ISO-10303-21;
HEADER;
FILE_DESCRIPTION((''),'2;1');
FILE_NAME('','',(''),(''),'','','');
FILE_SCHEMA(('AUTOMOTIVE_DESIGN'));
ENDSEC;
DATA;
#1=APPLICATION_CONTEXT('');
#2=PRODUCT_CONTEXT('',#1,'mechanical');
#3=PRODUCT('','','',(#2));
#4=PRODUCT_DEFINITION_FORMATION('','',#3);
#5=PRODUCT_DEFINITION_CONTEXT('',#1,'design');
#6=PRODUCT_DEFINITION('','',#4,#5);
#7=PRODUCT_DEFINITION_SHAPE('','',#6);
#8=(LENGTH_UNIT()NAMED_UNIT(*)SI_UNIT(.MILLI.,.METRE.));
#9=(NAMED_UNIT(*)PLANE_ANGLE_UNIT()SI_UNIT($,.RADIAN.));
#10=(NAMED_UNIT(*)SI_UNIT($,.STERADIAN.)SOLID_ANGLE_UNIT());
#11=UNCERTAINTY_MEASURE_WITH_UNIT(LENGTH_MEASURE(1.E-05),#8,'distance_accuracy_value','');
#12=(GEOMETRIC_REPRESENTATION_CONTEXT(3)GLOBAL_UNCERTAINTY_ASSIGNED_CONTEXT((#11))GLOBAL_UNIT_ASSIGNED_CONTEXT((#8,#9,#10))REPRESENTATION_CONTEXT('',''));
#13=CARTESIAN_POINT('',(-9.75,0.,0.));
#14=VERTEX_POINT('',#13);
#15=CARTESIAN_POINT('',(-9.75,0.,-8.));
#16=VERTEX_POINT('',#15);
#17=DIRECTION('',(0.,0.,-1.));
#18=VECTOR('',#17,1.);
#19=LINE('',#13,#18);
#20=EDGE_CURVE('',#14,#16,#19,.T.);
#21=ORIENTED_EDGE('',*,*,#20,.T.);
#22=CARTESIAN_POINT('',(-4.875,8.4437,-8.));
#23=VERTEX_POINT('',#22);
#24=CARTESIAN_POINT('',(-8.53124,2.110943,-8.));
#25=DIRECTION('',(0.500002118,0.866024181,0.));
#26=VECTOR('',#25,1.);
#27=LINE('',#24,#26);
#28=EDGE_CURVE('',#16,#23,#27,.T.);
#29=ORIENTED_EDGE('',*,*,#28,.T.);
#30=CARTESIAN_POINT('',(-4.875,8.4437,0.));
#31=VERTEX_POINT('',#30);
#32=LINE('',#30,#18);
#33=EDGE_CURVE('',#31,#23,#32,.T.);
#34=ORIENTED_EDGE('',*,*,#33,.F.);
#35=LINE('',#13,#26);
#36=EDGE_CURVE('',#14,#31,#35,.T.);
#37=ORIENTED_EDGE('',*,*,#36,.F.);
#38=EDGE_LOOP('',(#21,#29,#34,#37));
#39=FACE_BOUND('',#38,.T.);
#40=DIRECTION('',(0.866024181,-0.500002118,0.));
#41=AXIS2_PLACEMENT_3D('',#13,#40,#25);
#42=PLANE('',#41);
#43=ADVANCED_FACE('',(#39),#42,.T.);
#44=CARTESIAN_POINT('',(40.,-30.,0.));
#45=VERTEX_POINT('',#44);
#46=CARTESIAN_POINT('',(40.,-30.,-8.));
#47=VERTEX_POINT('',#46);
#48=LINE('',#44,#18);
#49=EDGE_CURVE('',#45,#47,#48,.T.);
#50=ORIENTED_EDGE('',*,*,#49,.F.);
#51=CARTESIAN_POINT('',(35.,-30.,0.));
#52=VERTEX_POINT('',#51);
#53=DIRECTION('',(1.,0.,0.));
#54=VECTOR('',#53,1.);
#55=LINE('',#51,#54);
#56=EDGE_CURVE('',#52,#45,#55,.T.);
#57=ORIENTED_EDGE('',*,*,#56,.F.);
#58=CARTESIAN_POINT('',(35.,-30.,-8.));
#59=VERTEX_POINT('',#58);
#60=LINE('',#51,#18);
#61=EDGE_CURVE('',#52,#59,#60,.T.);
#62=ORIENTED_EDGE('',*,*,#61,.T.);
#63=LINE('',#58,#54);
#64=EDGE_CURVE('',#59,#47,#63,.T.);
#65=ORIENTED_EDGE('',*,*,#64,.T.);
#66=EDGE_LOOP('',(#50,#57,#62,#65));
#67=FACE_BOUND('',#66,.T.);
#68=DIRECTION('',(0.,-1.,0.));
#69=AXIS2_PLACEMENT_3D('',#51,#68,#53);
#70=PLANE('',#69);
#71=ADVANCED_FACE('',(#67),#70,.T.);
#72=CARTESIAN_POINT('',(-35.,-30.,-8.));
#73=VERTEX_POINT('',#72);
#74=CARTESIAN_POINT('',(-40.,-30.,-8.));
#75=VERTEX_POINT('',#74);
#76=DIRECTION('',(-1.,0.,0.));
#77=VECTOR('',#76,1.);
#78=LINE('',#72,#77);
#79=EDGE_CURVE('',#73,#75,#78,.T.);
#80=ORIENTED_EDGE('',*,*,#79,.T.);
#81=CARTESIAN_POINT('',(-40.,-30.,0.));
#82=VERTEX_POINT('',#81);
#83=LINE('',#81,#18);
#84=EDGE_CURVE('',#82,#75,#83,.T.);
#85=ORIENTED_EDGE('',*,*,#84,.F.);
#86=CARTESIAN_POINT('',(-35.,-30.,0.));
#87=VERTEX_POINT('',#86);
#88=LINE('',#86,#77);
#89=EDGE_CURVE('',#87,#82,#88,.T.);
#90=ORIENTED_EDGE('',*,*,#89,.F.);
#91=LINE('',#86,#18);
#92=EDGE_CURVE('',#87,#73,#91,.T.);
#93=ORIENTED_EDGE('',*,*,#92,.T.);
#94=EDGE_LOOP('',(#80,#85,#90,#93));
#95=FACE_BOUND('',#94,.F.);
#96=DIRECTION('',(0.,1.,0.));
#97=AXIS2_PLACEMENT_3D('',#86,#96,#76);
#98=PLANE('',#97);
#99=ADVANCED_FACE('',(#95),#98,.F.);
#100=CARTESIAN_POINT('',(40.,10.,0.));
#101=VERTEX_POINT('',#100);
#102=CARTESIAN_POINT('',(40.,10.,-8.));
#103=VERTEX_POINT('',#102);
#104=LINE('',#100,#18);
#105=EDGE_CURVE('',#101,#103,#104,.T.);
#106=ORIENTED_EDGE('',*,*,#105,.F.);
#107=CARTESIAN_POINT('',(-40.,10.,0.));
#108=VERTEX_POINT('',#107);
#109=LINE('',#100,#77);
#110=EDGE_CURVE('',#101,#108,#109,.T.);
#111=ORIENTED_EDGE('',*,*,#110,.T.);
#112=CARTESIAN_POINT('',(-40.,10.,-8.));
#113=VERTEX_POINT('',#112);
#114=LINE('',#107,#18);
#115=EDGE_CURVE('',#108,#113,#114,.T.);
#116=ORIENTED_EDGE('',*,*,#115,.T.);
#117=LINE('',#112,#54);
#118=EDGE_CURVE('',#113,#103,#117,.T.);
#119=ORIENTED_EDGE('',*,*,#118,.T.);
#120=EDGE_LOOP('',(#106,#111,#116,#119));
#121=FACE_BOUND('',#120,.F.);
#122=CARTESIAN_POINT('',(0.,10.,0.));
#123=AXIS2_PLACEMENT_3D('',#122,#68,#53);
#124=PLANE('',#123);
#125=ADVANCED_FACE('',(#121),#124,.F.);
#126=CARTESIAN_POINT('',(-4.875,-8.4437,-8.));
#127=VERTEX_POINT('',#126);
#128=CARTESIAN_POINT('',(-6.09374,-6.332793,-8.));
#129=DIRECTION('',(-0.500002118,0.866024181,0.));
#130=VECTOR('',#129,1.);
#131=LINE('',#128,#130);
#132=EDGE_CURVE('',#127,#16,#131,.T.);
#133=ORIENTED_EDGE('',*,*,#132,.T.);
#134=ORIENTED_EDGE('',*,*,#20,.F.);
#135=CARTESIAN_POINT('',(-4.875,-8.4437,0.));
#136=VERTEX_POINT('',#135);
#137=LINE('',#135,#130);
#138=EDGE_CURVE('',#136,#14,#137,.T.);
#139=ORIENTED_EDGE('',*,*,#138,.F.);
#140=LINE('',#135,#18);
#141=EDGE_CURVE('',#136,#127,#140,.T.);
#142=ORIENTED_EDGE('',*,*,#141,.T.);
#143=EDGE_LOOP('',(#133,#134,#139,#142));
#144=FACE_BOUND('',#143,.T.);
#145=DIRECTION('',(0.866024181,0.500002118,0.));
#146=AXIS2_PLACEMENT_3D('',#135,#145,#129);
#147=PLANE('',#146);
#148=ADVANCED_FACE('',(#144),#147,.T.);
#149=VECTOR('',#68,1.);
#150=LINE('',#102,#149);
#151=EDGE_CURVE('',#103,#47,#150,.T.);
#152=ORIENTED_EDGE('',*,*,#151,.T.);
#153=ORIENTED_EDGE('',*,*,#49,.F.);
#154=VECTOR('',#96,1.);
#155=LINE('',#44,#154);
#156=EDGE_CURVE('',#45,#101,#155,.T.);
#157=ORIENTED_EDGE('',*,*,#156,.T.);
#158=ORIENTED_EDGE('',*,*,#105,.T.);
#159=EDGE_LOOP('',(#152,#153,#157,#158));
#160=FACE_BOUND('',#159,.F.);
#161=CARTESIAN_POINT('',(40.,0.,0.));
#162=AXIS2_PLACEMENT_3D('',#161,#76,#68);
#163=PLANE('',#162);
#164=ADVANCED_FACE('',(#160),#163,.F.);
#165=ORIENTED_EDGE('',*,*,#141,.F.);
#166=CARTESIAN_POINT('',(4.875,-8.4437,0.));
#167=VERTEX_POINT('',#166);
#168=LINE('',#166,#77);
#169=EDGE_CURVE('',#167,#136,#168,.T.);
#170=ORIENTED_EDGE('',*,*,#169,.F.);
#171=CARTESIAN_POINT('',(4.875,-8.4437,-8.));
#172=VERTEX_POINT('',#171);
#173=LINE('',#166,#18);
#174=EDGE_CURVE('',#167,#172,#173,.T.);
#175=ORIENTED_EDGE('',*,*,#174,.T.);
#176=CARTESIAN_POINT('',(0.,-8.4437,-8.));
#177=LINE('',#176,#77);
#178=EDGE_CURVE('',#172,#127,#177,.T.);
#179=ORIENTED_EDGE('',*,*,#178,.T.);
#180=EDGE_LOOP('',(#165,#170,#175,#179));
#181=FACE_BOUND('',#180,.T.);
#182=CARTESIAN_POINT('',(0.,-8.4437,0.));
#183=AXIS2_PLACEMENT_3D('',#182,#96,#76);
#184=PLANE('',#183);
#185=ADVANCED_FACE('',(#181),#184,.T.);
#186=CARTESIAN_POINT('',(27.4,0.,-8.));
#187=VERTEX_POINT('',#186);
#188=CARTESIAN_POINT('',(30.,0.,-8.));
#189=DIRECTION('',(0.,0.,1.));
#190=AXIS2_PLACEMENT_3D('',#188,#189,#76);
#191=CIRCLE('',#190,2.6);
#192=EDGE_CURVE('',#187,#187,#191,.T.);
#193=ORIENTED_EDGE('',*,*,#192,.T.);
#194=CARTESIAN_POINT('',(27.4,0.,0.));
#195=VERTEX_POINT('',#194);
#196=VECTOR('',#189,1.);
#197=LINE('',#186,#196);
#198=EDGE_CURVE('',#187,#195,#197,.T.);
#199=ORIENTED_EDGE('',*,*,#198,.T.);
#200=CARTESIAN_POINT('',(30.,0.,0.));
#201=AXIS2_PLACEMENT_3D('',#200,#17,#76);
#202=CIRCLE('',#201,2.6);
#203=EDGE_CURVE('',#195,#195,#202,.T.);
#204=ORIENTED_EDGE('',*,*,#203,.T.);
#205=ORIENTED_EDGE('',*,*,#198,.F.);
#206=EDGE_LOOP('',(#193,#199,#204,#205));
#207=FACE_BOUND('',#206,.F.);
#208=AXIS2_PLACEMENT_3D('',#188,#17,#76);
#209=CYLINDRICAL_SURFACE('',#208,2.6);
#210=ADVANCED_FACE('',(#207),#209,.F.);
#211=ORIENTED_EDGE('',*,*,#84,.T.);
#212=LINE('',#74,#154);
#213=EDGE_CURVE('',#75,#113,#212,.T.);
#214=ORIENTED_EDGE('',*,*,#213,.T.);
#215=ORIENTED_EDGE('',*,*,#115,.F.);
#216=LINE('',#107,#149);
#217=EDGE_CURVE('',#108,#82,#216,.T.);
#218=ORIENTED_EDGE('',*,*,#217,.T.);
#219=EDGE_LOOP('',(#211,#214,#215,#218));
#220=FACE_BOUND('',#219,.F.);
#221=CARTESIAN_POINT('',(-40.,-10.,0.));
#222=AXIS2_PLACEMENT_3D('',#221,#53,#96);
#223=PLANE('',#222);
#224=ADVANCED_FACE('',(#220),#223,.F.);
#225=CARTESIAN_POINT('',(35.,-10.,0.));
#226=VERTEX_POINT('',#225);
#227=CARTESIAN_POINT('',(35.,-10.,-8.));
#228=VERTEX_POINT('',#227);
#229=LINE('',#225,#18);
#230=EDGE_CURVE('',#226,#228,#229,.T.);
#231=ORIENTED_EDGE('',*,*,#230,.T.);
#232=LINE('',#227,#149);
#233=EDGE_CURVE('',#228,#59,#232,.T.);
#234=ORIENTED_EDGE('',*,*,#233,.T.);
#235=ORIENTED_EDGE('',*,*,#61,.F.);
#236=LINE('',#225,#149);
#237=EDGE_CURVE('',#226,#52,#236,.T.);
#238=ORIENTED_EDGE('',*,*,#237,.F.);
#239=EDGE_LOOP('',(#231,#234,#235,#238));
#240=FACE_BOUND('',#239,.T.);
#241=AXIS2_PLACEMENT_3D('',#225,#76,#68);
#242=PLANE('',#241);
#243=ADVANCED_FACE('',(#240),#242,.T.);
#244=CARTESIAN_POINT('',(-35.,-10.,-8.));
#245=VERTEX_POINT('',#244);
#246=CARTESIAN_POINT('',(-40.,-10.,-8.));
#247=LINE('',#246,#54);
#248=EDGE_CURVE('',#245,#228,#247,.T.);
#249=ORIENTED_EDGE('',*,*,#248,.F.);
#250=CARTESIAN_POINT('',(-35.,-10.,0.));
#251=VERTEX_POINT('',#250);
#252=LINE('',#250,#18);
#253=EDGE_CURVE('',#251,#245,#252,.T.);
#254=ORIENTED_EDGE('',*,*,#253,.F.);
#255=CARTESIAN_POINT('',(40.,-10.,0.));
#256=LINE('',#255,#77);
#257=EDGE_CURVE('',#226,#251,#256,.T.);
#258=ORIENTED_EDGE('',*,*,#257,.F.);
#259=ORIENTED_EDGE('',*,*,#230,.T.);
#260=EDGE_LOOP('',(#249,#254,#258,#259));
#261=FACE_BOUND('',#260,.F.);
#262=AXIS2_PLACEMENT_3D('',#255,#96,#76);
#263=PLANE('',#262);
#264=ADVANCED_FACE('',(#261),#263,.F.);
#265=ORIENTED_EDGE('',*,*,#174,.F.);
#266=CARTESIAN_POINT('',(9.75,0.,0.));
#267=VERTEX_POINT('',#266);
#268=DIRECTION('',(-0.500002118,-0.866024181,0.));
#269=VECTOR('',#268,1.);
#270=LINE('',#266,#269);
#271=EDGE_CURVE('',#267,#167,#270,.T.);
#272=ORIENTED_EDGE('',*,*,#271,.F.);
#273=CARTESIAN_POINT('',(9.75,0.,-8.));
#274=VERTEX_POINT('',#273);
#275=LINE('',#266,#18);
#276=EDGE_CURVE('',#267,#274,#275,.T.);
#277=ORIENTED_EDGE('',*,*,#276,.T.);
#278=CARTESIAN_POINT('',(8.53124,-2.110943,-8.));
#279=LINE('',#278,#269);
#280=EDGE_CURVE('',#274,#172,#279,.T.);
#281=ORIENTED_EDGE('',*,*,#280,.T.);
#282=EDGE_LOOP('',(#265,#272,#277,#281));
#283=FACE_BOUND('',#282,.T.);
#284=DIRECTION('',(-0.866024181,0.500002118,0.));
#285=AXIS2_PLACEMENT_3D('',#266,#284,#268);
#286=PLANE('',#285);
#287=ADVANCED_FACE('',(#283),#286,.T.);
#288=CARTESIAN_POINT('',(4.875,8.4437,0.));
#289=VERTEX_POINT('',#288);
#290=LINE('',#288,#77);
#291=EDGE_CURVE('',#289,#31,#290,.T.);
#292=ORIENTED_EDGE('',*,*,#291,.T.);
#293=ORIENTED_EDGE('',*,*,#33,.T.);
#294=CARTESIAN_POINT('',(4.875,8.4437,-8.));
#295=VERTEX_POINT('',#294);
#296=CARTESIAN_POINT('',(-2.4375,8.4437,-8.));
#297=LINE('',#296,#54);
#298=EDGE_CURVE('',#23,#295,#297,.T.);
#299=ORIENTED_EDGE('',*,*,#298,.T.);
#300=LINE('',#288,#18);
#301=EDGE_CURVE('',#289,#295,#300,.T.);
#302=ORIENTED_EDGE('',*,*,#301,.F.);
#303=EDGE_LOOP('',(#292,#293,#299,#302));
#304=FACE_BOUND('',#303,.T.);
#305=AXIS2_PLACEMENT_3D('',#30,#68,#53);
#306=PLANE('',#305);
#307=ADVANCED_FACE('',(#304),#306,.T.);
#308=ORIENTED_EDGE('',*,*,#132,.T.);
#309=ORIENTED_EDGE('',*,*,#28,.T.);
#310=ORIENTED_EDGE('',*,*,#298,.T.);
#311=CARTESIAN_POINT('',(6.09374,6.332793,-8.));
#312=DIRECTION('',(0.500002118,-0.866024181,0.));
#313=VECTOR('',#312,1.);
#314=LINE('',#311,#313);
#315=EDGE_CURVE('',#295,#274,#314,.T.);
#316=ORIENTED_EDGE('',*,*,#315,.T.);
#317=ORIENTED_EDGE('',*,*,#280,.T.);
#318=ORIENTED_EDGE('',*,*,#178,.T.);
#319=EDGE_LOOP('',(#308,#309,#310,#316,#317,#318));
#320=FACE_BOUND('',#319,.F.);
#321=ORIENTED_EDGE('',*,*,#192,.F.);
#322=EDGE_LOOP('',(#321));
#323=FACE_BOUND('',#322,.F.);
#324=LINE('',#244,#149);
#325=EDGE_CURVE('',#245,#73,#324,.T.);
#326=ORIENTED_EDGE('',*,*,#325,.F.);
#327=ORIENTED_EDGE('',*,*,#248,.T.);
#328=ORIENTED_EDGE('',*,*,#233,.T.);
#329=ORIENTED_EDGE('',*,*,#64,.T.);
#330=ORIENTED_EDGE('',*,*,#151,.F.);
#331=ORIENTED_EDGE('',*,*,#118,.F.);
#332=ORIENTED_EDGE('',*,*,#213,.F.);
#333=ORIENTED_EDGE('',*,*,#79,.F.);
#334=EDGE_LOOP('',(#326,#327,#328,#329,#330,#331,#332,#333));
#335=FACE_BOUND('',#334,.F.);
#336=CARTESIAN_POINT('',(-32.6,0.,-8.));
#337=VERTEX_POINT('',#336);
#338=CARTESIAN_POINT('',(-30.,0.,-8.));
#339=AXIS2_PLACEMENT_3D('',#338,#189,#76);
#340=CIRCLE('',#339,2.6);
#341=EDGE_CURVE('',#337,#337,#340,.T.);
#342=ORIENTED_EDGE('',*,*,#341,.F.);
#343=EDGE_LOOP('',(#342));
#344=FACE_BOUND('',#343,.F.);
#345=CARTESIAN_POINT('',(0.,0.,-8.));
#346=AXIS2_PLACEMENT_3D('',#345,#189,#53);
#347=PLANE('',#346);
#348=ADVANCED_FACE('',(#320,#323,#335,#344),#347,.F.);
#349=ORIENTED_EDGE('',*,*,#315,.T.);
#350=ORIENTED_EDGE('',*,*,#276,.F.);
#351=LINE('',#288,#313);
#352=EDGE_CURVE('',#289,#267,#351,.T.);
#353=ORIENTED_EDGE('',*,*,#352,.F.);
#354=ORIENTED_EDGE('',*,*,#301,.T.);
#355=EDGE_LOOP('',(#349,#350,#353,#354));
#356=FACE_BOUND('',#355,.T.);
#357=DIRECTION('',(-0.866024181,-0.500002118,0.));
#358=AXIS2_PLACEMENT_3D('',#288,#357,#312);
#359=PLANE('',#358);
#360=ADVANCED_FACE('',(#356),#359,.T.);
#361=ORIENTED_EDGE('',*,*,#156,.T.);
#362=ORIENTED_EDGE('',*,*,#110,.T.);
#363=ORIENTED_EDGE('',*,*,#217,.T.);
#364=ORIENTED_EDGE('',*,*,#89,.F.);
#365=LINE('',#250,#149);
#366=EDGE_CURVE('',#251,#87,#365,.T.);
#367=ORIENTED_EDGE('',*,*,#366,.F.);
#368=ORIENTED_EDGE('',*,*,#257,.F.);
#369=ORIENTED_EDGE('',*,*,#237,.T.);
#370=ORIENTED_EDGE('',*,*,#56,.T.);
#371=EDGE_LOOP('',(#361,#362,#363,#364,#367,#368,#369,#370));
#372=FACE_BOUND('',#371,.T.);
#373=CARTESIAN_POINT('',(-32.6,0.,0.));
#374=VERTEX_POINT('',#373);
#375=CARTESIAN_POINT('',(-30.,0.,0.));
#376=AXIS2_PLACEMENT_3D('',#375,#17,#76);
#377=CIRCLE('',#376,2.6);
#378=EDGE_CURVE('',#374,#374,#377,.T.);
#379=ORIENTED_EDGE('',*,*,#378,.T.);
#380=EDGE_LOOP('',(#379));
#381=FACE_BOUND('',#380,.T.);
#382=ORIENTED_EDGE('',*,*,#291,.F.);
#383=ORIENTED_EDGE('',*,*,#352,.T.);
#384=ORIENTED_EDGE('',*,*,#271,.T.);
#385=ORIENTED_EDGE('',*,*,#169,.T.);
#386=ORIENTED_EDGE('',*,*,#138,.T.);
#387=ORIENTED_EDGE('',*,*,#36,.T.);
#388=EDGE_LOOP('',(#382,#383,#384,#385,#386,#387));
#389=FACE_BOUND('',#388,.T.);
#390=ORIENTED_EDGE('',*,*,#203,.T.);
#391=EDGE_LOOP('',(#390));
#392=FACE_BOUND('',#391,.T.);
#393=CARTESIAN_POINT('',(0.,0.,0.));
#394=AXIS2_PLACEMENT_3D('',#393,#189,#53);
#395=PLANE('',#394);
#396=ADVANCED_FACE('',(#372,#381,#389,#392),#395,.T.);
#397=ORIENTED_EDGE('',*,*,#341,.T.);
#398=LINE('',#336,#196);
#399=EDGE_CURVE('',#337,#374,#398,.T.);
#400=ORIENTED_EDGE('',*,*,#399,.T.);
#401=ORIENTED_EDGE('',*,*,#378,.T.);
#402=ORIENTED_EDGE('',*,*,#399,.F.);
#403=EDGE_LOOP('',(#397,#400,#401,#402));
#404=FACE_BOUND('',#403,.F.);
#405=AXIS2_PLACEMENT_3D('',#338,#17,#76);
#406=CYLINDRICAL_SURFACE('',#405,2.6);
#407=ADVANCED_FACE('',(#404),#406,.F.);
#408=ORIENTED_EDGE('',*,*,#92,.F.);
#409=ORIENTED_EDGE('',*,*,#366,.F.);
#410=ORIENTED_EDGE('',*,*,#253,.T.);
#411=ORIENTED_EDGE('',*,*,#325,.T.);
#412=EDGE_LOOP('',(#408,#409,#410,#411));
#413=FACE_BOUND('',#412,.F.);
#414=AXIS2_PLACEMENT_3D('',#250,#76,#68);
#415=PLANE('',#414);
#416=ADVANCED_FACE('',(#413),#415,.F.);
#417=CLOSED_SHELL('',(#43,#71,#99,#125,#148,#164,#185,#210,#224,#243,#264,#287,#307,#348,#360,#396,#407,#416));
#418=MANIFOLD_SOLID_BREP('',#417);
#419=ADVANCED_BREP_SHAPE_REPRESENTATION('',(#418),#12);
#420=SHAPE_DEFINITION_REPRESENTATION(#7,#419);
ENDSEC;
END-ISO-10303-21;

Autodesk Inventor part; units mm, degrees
ref_plane "YZ Plane" through (0, 0, 0) normal (1, 0, 0) x (0, 1, 0)
ref_plane "XZ Plane" through (0, 0, 0) normal (0, 1, 0) x (-1, 0, 0)
ref_plane "XY Plane" through (0, 0, 0) normal (0, 0, 1) x (1, 0, 0)
sketch "Sketch1" plane through (0, 0, 0) normal (0, 0, 1) x (1, 0, 0)
  line L0 (40, -10) -> (-40, -10)
  line L1 (-40, -10) -> (-40, 10)
  line L2 (-40, 10) -> (40, 10)
  line L3 (40, 10) -> (40, -10)
  line L4 (0, -14) -> (0, 14) projected
  line L5 (40, -10) -> (30, -10)
  line L6 (-56, 0) -> (56, 0) projected
  circle A0 centre (-0.5449, 0.9437) radius 3.3235 projected
  line L7 (-4.875, -6.5563) -> (-9.2051, 0.9437) projected
  line L8 (-9.2051, 0.9437) -> (-4.875, 8.4437) projected
  line L9 (-4.875, 8.4437) -> (3.7853, 8.4437) projected
  line L10 (3.7853, 8.4437) -> (8.1154, 0.9437) projected
  line L11 (8.1154, 0.9437) -> (3.7853, -6.5563) projected
  line L12 (3.7853, -6.5563) -> (-4.875, -6.5563) projected
  circle A1 centre (-0.5449, 0.9437) radius 3.3235 projected
  line L13 (-4.875, -6.5563) -> (-9.2051, 0.9437) projected
  line L14 (-9.2051, 0.9437) -> (-4.875, 8.4437) projected
  line L15 (-4.875, 8.4437) -> (3.7853, 8.4437) projected
  line L16 (3.7853, 8.4437) -> (8.1154, 0.9437) projected
  line L17 (8.1154, 0.9437) -> (3.7853, -6.5563) projected
  line L18 (3.7853, -6.5563) -> (-4.875, -6.5563) projected
  point P0 (0, 0)
  dimension "d0" = 80
  dimension "d1" = 20
  dimension "d70" = 40
  dimension "d73" = 10
extrude "Extrusion1" add sketch "Sketch1" against normal blind 8
sketch "Sketch3" plane through (0, 0, 0) normal (0, 0, 1) x (1, 0, 0)
  line L0 (0, -14) -> (0, 14) projected
  line L1 (-56, 0) -> (56, 0) projected
  line L2 (-4.875, 8.4437) -> (4.875, 8.4437)
  line L3 (4.875, 8.4437) -> (9.75, 0)
  line L4 (9.75, 0) -> (4.875, -8.4437)
  line L5 (4.875, -8.4437) -> (-4.875, -8.4437)
  line L6 (-4.875, -8.4437) -> (-9.75, 0)
  line L7 (-9.75, 0) -> (-4.875, 8.4437)
  point P0 (0, 0)
  point P1 (0, 0)
  dimension "d65" = 19.5
extrude "Extrusion2" cut sketch "Sketch3" against normal blind 10
sketch "Sketch9" plane through (0, 0, -8) normal (0, 0, -1) x (-1, 0, 0)
  circle A0 centre (-30, 0) radius 2.6
  line L0 (0, -14) -> (0, 14) projected
  line L1 (56, 0) -> (-56, 0) projected
  circle A1 centre (30, 0) radius 2.6
  dimension "d40" = 5.2
  dimension "d41" = 60
extrude "Extrusion3" cut sketch "Sketch9" against normal through all
sketch "Sketch14" plane through (0, 0, 0) normal (0, 0, 1) x (1, 0, 0)
  circle A0 centre (30, 0) radius 2.6 projected
  circle A1 centre (-30, 0) radius 2.6 projected
  line L0 (-9.75, 0) -> (-4.875, 8.4437) projected
  line L1 (-4.875, 8.4437) -> (4.875, 8.4437) projected
  line L2 (4.875, 8.4437) -> (9.75, 0) projected
  line L3 (9.75, 0) -> (4.875, -8.4437) projected
  line L4 (4.875, -8.4437) -> (-4.875, -8.4437) projected
  line L5 (-4.875, -8.4437) -> (-9.75, 0) projected
  line L6 (40, -10) -> (-40, -10) projected
  line L7 (40, 10) -> (40, -10) projected
  line L8 (-40, 10) -> (40, 10) projected
  line L9 (-40, -10) -> (-40, 10) projected
  line L10 (-40, -10) -> (-35, -10)
  line L11 (-35, -10) -> (-35, -30)
  line L12 (-35, -30) -> (-40, -30)
  line L13 (-40, -30) -> (-40, -10)
  line L14 (-56, 0) -> (56, 0) projected
  line L15 (0, -33.313) -> (0, 17.2188) projected
  line L16 (40, -10) -> (35, -10)
  line L17 (35, -10) -> (35, -30)
  line L18 (35, -30) -> (40, -30)
  line L19 (40, -30) -> (40, -10)
  point P0 (0, 0)
  dimension "d74" = 5
  dimension "d75" = 20
extrude "Extrusion7" add sketch "Sketch14" against normal blind 8 contours L19 L18 L17 L6 | L11 L12 L13 L6
properties part number "drive_support" material "ABS Plastic"
